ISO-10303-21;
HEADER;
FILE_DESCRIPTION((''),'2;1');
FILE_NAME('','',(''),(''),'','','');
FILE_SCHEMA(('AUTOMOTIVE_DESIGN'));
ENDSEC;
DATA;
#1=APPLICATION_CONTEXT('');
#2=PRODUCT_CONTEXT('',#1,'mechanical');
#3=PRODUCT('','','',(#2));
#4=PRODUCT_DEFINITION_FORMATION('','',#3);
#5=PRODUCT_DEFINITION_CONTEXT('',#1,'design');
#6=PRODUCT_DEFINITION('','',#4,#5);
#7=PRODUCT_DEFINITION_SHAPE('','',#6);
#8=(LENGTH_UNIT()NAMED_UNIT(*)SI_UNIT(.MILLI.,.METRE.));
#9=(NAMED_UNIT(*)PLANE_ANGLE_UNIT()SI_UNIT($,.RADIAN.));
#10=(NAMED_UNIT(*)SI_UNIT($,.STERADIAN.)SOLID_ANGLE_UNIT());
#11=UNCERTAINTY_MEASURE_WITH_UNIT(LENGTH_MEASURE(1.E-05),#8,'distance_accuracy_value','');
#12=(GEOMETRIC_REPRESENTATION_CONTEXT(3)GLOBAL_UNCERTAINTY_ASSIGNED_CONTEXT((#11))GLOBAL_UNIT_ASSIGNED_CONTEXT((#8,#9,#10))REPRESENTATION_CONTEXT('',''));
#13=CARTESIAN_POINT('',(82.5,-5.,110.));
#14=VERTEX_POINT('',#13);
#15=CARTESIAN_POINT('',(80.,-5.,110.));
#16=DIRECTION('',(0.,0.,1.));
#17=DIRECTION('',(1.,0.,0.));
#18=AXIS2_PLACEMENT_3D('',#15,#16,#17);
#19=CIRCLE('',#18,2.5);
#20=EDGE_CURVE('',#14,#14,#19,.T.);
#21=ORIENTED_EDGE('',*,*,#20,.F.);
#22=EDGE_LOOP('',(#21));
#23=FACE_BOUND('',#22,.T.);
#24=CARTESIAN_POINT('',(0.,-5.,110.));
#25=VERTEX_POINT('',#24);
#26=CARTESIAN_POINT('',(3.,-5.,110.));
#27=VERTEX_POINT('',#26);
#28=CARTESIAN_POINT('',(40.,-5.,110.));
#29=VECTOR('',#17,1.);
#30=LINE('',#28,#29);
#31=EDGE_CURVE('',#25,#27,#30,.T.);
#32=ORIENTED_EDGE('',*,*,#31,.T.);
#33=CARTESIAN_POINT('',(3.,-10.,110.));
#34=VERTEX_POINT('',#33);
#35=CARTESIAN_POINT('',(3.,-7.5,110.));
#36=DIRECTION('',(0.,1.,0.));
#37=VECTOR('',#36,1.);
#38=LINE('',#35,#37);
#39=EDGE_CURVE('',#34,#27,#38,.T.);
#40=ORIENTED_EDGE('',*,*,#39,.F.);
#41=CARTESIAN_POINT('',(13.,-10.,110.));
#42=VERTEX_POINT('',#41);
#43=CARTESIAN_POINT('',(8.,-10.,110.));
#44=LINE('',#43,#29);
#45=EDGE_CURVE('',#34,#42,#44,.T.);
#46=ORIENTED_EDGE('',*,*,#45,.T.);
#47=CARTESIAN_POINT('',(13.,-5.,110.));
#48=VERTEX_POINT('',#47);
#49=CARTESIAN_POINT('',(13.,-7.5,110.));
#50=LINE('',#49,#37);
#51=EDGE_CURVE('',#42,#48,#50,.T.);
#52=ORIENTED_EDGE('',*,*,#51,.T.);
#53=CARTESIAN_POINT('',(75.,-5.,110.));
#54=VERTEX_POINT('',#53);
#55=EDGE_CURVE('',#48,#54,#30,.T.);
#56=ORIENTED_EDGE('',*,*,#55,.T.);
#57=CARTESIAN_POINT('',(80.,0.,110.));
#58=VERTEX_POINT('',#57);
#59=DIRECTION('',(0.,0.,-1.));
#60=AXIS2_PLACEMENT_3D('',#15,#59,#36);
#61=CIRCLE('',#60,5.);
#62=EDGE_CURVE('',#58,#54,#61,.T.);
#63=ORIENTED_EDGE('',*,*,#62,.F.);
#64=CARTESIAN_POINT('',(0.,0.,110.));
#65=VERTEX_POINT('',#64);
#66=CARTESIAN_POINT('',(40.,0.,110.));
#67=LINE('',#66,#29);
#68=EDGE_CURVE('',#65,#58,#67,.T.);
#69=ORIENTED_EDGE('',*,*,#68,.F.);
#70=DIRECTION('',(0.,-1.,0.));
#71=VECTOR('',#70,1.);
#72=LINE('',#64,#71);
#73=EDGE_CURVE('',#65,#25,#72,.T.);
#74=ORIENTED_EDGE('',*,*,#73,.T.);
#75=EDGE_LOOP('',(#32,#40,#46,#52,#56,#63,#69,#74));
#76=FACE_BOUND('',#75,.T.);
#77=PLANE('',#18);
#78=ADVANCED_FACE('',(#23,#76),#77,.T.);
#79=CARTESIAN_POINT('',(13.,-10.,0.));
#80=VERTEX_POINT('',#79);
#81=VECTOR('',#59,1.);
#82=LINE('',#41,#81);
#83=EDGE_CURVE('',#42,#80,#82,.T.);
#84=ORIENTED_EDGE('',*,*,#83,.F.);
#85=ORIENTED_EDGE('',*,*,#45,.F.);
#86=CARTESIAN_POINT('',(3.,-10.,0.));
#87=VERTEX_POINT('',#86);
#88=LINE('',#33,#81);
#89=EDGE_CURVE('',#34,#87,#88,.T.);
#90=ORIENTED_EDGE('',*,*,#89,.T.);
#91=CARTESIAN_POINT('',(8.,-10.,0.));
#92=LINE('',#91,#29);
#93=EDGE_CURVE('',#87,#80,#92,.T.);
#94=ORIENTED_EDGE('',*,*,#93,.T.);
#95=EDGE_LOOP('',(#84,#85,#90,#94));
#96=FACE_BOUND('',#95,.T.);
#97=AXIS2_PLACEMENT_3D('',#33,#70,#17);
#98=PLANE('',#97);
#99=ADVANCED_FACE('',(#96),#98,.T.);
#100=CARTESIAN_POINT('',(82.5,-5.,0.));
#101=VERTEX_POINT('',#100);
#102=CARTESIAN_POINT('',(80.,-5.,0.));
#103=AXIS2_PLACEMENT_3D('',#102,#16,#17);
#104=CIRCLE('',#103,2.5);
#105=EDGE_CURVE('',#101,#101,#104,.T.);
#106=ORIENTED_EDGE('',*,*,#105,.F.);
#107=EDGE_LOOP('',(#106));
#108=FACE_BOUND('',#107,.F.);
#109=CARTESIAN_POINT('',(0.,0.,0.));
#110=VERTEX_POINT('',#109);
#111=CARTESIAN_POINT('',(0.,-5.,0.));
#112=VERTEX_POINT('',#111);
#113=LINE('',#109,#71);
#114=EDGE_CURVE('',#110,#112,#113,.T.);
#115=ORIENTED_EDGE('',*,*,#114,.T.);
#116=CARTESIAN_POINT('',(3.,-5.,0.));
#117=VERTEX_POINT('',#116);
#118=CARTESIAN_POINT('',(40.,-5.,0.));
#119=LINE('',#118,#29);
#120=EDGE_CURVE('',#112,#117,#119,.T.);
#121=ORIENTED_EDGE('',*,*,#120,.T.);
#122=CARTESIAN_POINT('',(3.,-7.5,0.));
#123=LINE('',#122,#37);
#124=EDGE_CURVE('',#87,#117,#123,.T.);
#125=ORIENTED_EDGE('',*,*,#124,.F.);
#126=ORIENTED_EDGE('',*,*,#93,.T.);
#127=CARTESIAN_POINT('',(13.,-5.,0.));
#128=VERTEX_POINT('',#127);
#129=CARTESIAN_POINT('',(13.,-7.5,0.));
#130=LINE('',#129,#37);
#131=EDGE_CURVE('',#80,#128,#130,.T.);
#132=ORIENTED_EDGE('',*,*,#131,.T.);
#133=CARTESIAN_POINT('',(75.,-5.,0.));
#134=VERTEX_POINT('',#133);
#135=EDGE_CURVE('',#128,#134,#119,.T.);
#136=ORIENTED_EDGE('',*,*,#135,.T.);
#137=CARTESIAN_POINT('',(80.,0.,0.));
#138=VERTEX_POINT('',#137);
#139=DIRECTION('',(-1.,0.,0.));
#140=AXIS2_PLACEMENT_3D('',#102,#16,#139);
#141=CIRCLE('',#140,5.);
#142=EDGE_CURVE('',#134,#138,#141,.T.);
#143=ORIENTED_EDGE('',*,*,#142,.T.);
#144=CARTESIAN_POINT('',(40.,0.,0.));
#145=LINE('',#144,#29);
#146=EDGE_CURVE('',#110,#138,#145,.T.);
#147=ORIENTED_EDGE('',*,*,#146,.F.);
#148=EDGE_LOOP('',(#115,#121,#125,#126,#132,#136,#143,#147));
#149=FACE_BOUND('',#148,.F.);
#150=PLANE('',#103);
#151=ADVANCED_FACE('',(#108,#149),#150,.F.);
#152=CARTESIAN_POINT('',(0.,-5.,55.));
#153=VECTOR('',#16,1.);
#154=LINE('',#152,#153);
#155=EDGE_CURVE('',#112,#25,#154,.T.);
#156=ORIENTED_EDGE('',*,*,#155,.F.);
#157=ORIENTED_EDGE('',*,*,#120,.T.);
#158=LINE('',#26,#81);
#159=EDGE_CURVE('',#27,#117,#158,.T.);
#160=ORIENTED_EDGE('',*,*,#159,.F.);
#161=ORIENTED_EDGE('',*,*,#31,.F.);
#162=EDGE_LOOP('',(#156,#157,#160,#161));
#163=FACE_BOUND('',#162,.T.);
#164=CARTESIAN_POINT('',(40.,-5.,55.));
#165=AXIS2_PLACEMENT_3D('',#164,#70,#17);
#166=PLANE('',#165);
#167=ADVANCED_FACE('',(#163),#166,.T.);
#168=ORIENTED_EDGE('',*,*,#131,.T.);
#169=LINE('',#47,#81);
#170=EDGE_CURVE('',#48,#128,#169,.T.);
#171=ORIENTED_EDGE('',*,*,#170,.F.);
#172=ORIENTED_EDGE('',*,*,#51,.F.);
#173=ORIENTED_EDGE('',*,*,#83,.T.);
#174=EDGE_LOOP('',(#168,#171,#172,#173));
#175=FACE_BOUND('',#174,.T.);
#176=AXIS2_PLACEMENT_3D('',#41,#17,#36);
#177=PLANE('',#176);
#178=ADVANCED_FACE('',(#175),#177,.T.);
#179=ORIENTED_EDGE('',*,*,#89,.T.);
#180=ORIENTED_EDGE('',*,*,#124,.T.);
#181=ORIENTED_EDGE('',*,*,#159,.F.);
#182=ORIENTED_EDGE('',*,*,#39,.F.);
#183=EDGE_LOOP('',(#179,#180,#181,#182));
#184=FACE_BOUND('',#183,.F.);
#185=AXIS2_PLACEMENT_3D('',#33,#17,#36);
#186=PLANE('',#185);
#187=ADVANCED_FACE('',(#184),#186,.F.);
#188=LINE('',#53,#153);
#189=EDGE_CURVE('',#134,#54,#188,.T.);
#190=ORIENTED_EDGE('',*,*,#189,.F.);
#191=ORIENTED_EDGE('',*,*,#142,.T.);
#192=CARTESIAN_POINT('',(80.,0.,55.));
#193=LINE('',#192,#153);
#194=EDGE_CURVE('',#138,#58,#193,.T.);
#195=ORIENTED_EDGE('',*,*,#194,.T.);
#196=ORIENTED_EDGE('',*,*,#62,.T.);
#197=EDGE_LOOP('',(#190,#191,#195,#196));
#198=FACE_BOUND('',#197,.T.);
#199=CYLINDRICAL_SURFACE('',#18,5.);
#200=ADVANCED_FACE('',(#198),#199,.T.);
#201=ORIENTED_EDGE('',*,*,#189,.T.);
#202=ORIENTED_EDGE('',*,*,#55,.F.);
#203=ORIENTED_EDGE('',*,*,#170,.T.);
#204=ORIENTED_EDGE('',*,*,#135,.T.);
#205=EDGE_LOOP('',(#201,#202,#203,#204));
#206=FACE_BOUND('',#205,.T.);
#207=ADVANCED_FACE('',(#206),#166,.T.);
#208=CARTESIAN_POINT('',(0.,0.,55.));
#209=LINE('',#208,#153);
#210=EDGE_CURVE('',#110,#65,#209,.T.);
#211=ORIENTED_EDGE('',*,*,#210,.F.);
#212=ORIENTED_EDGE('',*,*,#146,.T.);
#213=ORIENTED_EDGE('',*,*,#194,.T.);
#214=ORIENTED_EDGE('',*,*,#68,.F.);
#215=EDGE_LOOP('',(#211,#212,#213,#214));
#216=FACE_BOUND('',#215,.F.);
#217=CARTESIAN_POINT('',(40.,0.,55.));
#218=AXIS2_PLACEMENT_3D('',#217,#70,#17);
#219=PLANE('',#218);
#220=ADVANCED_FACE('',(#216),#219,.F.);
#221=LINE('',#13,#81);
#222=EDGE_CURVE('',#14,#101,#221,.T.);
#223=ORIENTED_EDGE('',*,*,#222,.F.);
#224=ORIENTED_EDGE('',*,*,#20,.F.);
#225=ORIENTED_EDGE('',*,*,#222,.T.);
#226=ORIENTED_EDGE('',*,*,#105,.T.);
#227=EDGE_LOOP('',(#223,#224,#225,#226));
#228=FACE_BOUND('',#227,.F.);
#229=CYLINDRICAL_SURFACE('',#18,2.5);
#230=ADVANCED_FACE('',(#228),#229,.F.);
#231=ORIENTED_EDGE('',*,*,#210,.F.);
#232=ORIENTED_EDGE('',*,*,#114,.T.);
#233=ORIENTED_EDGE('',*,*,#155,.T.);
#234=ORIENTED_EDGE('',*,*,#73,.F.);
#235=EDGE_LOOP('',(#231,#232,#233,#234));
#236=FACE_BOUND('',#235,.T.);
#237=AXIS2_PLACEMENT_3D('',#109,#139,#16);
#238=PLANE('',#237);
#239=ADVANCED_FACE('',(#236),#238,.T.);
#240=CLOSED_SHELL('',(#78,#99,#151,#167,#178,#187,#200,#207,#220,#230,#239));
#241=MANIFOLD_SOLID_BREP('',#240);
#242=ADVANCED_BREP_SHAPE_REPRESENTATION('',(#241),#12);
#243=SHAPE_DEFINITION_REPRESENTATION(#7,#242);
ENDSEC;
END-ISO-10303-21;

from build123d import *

# Parameters (mm, degrees)
F0_W     = 80
F0_H     = 110
F1_DEPTH = 5
F2_R     = 5
F2_W     = 10
F2_H     = 5
F3_DEPTH = 110
F4_R     = 2.5
F5_DEPTH = 110


with BuildPart() as f1:
    # F0 (on Front) → F1 (new body)
    with BuildSketch(Plane.XZ):
        with Locations((40, 55)):
            Rectangle(F0_W, F0_H)
    extrude(amount=F1_DEPTH)

    # F2 (on face) → F3 (join, through all)
    with BuildSketch(Plane.XY.offset(110)):
        with Locations((80, -5)):
            Circle(F2_R)
        with Locations((8, -7.5)):
            Rectangle(F2_W, F2_H)
    extrude(amount=-F3_DEPTH)

    # F4 (on face) → F5 (cut, through all)
    with BuildSketch(Plane.XY.offset(110)):
        with Locations((80, -5)):
            Circle(F4_R)
    extrude(amount=-F5_DEPTH, mode=Mode.SUBTRACT)


solid = f1.part
